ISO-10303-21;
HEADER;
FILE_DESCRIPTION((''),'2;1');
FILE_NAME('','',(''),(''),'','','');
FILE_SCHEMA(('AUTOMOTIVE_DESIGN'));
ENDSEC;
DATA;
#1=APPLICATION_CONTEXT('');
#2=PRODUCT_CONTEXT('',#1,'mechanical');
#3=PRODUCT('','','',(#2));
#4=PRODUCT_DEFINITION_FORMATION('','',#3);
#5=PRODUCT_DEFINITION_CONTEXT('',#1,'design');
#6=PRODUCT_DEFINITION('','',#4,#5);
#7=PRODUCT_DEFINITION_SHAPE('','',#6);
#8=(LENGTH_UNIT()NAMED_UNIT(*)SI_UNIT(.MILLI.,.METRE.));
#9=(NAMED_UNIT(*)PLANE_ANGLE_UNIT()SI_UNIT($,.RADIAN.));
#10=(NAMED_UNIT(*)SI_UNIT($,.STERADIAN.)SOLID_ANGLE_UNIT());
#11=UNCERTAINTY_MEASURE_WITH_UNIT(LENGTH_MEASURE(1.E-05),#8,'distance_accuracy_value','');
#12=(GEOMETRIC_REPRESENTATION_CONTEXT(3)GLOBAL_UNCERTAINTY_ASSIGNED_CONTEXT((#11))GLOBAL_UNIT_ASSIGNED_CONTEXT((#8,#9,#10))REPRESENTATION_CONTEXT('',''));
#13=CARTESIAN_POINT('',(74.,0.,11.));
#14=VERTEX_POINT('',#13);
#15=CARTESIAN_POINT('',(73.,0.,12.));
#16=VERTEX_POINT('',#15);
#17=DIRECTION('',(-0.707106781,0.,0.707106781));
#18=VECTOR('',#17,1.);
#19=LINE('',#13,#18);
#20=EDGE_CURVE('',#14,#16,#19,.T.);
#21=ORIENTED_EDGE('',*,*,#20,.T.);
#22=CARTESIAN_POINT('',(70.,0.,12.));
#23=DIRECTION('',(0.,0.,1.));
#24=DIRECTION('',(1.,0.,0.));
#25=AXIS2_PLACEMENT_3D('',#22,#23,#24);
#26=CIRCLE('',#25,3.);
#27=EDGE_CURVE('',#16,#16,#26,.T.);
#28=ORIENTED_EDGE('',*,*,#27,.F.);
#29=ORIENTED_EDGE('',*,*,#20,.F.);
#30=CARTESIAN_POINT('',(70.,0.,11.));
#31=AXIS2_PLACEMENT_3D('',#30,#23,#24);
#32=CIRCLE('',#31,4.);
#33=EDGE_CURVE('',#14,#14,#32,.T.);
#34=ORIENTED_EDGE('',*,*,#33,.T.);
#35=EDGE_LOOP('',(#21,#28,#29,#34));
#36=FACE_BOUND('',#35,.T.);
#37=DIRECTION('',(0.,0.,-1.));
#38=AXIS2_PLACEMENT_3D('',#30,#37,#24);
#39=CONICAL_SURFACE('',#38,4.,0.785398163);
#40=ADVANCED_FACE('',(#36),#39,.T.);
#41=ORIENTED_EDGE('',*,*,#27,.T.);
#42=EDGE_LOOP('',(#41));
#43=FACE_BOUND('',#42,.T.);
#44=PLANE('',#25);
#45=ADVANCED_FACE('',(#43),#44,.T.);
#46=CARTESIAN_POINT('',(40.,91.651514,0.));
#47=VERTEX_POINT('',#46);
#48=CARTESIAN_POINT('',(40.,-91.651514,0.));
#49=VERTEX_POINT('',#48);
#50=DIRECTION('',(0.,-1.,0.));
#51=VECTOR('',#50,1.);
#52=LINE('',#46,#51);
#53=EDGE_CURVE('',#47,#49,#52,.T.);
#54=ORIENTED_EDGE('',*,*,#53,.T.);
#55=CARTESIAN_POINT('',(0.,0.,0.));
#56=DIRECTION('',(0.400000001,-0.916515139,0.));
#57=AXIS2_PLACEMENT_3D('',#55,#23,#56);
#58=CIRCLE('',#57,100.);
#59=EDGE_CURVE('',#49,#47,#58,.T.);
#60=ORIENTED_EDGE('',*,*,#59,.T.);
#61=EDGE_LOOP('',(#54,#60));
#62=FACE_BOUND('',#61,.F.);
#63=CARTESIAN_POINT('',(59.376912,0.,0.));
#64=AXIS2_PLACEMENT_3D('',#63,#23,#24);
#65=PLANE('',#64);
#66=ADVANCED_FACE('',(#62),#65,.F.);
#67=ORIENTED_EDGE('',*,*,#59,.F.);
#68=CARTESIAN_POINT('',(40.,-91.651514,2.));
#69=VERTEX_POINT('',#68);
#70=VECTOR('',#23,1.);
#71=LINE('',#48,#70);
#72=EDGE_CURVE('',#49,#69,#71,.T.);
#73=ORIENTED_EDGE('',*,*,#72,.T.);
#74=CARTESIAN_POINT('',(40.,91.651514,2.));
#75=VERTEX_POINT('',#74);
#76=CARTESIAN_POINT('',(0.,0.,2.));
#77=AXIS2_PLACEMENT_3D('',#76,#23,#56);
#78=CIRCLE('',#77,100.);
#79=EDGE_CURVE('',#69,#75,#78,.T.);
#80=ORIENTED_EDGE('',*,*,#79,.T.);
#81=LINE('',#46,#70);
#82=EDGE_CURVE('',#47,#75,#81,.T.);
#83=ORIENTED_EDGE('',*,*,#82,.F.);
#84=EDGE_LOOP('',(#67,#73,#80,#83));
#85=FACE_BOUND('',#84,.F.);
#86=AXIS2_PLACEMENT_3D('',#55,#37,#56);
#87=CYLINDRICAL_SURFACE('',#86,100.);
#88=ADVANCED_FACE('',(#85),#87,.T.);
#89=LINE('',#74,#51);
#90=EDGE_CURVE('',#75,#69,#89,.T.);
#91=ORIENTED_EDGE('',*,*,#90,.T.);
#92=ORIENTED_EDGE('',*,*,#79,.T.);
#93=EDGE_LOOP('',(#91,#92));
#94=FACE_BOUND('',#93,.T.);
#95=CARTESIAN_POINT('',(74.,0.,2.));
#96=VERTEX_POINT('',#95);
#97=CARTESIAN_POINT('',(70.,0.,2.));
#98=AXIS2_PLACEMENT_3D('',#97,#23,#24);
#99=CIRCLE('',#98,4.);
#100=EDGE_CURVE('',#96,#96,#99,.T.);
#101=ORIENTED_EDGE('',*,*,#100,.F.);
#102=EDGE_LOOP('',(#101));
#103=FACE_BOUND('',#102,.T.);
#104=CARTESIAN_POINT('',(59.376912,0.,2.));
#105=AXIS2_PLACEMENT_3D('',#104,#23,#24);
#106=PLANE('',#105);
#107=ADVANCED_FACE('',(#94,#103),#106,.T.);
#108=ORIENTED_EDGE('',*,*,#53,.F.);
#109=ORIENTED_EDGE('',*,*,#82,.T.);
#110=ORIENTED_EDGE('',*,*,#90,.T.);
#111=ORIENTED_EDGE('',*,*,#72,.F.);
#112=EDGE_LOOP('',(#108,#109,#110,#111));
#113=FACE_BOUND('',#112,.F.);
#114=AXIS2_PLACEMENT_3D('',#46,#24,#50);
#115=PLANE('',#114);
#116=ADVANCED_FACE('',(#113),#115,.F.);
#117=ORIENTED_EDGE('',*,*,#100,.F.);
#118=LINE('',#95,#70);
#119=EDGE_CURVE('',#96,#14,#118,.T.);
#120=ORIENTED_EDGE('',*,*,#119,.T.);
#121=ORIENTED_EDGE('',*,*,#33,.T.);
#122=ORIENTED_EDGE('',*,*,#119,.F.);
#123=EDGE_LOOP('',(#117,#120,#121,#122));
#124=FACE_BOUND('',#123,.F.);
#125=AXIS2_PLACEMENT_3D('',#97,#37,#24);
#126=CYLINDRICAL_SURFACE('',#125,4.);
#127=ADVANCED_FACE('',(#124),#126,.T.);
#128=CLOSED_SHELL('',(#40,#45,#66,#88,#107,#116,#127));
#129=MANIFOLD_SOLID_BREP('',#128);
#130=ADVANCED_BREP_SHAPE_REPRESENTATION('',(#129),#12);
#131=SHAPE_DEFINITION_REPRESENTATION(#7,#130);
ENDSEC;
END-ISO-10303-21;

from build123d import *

# Parameters (mm, degrees)
F1_DEPTH = 2
F2_R     = 4
F3_DEPTH = 10
F4_SIZE  = 1


with BuildPart() as f1:
    # F0 (on Top) → F1 (new body)
    with BuildSketch(Plane.XY):
        with BuildLine():
            Line((40, 91.651514), (40, -91.651514))
            ThreePointArc((40, -91.651514), (100, 0), (40, 91.651514))
        make_face()
    extrude(amount=F1_DEPTH)

    # F2 (on face) → F3 (join)
    with BuildSketch(Plane.XY.offset(2)):
        with Locations((70, 0)):
            Circle(F2_R)
    extrude(amount=F3_DEPTH)

    # F4
    f4_edges = [f1.edges().sort_by_distance(p)[0] for p in [
        (66, 0, 12),
    ]]
    chamfer(f4_edges, length=F4_SIZE)


solid = f1.part
